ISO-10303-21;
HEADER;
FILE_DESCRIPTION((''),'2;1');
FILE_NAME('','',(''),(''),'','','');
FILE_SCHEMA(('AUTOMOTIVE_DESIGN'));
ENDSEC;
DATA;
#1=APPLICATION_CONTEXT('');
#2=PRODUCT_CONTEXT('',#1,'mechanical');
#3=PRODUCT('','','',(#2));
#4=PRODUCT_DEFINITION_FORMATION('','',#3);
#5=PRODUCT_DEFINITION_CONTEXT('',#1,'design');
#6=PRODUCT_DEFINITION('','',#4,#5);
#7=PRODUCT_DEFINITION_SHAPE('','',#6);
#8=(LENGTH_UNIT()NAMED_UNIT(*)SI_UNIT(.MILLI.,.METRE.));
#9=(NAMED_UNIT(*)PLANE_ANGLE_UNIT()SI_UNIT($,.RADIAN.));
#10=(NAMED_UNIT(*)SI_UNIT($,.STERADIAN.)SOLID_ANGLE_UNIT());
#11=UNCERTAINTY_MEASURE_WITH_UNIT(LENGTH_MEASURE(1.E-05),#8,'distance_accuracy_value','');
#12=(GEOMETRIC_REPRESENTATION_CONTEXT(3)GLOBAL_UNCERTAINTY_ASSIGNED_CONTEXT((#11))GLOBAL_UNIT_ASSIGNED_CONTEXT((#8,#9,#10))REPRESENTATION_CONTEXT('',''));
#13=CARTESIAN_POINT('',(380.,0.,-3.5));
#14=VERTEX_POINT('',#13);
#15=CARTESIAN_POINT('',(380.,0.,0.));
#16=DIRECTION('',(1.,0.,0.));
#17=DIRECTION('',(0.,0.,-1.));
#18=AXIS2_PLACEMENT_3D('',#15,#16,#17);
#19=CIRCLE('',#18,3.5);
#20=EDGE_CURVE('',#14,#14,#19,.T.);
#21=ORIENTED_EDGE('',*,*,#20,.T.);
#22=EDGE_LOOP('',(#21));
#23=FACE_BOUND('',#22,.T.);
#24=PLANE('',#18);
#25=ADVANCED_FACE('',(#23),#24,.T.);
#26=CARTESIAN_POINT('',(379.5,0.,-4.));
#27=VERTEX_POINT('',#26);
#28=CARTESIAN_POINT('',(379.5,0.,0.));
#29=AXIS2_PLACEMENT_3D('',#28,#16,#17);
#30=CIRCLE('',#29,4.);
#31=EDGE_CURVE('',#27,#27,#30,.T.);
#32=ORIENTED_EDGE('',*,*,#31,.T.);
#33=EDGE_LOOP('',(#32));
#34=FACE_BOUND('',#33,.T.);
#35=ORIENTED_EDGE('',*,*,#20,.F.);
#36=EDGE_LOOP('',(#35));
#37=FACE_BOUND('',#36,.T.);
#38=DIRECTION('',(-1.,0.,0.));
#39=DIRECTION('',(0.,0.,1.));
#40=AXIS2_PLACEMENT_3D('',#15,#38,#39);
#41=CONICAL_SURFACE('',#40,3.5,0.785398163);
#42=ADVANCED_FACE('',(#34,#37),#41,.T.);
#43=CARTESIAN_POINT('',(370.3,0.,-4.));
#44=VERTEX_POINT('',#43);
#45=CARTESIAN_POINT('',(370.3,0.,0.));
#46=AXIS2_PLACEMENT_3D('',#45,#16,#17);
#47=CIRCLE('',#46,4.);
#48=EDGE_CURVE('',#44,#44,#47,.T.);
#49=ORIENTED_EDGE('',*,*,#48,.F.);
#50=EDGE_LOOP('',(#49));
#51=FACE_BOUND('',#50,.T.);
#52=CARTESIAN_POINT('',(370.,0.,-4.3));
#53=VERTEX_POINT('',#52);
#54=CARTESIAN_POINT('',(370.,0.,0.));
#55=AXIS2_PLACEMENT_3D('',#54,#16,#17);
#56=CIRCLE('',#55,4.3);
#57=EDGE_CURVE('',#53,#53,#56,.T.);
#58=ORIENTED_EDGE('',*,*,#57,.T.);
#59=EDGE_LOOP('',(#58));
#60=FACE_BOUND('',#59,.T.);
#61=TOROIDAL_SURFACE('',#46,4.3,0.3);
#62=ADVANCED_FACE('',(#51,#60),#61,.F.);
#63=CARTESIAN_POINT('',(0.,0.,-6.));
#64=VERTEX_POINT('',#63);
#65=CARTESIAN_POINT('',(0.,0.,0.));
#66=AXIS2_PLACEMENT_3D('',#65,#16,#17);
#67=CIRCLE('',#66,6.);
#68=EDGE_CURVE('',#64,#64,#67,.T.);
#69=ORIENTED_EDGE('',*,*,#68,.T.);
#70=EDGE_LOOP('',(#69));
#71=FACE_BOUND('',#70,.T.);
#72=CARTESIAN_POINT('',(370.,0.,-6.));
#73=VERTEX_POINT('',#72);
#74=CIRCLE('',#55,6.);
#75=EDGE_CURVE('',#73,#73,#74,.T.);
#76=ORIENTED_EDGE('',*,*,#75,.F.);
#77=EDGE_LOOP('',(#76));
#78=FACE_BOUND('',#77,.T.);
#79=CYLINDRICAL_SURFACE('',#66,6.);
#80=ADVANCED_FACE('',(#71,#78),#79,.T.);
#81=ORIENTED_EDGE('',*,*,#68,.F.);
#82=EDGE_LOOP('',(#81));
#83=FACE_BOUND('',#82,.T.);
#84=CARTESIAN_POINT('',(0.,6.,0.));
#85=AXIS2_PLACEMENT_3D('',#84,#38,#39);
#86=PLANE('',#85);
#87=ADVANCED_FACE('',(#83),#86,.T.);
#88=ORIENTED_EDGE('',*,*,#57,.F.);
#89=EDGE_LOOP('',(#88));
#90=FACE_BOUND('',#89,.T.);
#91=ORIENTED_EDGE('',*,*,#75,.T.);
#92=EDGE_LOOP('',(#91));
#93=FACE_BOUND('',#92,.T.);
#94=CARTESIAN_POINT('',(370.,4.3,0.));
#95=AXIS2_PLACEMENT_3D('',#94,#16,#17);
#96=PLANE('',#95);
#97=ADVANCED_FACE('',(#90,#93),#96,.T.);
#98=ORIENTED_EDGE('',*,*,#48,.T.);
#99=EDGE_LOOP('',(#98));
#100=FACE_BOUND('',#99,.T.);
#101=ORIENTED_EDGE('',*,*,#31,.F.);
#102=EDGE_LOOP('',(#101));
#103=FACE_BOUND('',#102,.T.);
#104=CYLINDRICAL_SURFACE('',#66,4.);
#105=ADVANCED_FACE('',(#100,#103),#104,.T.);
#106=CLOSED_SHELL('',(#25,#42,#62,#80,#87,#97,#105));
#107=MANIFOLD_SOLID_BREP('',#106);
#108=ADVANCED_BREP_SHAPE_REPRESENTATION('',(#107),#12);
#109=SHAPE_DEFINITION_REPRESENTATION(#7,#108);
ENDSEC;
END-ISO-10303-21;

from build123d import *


with BuildPart() as part:
    # Sketch1 → Revolve1 (revolve)
    with BuildSketch(Plane.XY):
        with BuildLine():
            Line((0, 6), (0, 0))
            Line((0, 0), (380, 0))
            Line((380, 0), (380, 3.5))
            Line((380, 3.5), (379.5, 4))
            Line((379.5, 4), (370.3, 4))
            ThreePointArc((370.3, 4), (370.087867966, 4.087867966), (370, 4.3))
            Line((370, 4.3), (370, 6))
            Line((370, 6), (0, 6))
        make_face()
    revolve(axis=Axis((0, 0, 0), (1, 0, 0)))


solid = part.part
